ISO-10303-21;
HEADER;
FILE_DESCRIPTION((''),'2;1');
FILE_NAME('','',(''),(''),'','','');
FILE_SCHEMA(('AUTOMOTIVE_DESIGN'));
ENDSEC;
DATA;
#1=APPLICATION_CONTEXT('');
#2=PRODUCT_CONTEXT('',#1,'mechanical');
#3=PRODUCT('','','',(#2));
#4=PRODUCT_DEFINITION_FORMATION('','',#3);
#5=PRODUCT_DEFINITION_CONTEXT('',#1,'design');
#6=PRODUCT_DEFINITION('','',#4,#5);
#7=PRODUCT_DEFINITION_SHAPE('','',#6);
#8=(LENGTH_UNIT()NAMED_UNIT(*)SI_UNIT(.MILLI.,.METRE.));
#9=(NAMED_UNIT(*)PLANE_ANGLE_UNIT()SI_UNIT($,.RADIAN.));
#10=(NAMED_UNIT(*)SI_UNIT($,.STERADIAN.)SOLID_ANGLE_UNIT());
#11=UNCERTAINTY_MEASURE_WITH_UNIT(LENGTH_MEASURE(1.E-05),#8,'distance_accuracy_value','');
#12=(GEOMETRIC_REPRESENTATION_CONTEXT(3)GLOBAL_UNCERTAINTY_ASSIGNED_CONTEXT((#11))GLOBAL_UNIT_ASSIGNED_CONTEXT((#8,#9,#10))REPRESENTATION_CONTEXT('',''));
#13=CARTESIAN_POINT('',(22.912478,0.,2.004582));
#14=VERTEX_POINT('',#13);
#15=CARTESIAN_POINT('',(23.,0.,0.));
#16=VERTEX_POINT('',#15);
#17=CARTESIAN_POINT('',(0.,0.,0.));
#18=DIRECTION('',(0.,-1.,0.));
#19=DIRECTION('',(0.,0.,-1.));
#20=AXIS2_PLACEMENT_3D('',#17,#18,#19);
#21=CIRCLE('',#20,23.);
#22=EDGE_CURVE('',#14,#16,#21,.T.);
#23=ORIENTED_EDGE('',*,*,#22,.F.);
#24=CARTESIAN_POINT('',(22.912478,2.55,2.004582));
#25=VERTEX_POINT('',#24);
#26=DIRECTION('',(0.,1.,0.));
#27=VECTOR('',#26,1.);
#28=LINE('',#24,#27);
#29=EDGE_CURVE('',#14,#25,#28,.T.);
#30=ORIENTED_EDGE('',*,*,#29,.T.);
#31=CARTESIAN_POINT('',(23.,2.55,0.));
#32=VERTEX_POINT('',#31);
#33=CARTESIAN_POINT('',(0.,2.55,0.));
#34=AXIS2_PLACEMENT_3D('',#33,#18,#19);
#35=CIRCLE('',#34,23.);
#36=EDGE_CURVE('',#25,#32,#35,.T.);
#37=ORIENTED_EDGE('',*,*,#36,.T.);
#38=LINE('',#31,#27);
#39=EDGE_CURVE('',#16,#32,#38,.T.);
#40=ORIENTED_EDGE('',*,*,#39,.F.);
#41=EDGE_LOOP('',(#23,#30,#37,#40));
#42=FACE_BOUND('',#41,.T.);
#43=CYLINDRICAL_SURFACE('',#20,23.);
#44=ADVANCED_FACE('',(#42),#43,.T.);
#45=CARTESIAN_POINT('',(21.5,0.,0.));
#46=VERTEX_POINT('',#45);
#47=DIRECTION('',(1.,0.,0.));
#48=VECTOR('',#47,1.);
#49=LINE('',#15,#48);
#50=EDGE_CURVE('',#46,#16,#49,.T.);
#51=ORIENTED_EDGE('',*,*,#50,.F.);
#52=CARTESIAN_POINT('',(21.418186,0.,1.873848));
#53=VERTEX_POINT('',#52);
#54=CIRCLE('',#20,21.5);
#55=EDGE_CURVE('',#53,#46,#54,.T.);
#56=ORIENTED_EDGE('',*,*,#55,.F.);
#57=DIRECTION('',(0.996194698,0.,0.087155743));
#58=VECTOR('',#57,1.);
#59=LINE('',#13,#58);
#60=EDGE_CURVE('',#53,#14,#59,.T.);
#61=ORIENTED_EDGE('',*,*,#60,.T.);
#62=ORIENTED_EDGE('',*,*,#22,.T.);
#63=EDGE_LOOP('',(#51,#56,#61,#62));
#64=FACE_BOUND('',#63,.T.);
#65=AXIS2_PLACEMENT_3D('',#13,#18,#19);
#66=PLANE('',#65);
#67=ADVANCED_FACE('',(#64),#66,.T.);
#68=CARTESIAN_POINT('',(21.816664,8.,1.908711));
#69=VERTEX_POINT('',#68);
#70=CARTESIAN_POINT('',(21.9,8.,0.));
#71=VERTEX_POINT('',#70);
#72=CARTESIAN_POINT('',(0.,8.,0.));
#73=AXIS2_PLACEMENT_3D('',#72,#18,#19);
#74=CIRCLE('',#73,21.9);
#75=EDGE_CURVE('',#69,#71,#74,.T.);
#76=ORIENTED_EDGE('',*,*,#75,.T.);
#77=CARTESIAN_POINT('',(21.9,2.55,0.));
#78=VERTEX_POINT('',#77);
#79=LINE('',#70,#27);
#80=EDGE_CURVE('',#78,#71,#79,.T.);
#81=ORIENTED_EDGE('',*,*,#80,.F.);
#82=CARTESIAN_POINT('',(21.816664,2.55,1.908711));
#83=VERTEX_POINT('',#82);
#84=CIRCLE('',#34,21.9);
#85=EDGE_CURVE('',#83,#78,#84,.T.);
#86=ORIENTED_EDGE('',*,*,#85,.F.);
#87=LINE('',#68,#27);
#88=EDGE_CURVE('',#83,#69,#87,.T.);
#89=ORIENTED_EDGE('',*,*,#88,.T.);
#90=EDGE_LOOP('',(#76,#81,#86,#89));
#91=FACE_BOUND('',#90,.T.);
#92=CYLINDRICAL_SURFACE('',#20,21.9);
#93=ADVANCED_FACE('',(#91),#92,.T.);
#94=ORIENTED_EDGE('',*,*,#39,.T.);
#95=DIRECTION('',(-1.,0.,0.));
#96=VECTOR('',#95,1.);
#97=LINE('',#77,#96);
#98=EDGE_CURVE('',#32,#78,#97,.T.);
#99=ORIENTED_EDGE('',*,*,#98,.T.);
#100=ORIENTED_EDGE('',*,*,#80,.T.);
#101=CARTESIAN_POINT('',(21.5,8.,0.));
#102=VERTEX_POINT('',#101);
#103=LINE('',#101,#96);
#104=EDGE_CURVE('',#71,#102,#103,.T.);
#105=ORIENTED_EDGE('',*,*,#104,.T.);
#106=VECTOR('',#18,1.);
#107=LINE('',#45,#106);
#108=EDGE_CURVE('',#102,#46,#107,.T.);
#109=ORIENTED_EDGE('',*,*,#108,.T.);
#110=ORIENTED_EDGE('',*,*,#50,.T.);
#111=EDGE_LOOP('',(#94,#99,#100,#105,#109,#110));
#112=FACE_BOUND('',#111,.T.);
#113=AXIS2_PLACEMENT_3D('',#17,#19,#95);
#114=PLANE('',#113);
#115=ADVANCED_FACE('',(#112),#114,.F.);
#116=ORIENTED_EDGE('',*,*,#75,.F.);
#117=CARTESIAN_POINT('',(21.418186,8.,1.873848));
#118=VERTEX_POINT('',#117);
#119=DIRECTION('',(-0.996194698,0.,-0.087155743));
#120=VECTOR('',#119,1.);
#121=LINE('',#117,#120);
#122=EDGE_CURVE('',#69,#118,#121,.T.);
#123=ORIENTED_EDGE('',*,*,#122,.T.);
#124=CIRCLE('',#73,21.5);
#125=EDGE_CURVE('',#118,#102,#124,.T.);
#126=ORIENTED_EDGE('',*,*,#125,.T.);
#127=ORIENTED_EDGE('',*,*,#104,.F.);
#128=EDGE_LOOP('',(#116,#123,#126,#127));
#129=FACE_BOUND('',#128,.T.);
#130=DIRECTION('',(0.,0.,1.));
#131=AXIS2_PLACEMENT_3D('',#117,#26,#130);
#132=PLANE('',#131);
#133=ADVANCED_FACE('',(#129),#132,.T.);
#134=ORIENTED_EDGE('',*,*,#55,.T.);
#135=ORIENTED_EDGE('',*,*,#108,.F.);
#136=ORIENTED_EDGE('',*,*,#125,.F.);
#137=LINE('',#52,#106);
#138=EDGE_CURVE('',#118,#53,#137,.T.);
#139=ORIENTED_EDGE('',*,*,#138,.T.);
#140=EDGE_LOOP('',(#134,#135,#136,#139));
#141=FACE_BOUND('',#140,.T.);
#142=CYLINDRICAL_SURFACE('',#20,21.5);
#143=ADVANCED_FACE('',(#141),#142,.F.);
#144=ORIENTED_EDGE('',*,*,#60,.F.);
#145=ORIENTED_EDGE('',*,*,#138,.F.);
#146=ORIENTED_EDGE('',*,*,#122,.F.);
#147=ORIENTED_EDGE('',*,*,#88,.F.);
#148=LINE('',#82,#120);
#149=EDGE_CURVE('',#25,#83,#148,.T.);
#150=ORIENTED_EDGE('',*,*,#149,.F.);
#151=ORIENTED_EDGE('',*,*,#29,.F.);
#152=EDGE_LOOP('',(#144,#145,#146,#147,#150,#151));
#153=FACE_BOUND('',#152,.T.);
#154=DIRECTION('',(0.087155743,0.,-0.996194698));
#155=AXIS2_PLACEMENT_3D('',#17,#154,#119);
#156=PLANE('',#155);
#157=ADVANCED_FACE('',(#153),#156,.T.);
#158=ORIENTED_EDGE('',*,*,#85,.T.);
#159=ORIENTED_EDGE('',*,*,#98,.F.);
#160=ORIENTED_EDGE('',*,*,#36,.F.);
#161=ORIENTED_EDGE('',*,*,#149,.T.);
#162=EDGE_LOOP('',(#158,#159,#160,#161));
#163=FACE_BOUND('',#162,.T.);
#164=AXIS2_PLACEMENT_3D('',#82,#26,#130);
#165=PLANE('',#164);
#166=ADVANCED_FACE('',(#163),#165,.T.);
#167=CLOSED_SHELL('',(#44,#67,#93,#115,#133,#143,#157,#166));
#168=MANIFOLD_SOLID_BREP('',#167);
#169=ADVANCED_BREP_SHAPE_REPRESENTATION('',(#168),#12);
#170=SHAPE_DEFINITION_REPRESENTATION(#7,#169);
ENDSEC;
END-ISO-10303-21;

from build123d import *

# Parameters (mm, degrees)
REVOLVE1_ANGLE = 355


with BuildPart() as part:
    # Sketch1 → Revolve1 (revolve)
    with BuildSketch(Plane.XY):
        Polygon((21.5, 0), (21.5, 8), (21.9, 8), (21.9, 2.55), (23, 2.55), (23, 0), align=None)
    revolve(axis=Axis((0, 0, 0), (0, 1, 0)), revolution_arc=REVOLVE1_ANGLE)


solid = part.part
